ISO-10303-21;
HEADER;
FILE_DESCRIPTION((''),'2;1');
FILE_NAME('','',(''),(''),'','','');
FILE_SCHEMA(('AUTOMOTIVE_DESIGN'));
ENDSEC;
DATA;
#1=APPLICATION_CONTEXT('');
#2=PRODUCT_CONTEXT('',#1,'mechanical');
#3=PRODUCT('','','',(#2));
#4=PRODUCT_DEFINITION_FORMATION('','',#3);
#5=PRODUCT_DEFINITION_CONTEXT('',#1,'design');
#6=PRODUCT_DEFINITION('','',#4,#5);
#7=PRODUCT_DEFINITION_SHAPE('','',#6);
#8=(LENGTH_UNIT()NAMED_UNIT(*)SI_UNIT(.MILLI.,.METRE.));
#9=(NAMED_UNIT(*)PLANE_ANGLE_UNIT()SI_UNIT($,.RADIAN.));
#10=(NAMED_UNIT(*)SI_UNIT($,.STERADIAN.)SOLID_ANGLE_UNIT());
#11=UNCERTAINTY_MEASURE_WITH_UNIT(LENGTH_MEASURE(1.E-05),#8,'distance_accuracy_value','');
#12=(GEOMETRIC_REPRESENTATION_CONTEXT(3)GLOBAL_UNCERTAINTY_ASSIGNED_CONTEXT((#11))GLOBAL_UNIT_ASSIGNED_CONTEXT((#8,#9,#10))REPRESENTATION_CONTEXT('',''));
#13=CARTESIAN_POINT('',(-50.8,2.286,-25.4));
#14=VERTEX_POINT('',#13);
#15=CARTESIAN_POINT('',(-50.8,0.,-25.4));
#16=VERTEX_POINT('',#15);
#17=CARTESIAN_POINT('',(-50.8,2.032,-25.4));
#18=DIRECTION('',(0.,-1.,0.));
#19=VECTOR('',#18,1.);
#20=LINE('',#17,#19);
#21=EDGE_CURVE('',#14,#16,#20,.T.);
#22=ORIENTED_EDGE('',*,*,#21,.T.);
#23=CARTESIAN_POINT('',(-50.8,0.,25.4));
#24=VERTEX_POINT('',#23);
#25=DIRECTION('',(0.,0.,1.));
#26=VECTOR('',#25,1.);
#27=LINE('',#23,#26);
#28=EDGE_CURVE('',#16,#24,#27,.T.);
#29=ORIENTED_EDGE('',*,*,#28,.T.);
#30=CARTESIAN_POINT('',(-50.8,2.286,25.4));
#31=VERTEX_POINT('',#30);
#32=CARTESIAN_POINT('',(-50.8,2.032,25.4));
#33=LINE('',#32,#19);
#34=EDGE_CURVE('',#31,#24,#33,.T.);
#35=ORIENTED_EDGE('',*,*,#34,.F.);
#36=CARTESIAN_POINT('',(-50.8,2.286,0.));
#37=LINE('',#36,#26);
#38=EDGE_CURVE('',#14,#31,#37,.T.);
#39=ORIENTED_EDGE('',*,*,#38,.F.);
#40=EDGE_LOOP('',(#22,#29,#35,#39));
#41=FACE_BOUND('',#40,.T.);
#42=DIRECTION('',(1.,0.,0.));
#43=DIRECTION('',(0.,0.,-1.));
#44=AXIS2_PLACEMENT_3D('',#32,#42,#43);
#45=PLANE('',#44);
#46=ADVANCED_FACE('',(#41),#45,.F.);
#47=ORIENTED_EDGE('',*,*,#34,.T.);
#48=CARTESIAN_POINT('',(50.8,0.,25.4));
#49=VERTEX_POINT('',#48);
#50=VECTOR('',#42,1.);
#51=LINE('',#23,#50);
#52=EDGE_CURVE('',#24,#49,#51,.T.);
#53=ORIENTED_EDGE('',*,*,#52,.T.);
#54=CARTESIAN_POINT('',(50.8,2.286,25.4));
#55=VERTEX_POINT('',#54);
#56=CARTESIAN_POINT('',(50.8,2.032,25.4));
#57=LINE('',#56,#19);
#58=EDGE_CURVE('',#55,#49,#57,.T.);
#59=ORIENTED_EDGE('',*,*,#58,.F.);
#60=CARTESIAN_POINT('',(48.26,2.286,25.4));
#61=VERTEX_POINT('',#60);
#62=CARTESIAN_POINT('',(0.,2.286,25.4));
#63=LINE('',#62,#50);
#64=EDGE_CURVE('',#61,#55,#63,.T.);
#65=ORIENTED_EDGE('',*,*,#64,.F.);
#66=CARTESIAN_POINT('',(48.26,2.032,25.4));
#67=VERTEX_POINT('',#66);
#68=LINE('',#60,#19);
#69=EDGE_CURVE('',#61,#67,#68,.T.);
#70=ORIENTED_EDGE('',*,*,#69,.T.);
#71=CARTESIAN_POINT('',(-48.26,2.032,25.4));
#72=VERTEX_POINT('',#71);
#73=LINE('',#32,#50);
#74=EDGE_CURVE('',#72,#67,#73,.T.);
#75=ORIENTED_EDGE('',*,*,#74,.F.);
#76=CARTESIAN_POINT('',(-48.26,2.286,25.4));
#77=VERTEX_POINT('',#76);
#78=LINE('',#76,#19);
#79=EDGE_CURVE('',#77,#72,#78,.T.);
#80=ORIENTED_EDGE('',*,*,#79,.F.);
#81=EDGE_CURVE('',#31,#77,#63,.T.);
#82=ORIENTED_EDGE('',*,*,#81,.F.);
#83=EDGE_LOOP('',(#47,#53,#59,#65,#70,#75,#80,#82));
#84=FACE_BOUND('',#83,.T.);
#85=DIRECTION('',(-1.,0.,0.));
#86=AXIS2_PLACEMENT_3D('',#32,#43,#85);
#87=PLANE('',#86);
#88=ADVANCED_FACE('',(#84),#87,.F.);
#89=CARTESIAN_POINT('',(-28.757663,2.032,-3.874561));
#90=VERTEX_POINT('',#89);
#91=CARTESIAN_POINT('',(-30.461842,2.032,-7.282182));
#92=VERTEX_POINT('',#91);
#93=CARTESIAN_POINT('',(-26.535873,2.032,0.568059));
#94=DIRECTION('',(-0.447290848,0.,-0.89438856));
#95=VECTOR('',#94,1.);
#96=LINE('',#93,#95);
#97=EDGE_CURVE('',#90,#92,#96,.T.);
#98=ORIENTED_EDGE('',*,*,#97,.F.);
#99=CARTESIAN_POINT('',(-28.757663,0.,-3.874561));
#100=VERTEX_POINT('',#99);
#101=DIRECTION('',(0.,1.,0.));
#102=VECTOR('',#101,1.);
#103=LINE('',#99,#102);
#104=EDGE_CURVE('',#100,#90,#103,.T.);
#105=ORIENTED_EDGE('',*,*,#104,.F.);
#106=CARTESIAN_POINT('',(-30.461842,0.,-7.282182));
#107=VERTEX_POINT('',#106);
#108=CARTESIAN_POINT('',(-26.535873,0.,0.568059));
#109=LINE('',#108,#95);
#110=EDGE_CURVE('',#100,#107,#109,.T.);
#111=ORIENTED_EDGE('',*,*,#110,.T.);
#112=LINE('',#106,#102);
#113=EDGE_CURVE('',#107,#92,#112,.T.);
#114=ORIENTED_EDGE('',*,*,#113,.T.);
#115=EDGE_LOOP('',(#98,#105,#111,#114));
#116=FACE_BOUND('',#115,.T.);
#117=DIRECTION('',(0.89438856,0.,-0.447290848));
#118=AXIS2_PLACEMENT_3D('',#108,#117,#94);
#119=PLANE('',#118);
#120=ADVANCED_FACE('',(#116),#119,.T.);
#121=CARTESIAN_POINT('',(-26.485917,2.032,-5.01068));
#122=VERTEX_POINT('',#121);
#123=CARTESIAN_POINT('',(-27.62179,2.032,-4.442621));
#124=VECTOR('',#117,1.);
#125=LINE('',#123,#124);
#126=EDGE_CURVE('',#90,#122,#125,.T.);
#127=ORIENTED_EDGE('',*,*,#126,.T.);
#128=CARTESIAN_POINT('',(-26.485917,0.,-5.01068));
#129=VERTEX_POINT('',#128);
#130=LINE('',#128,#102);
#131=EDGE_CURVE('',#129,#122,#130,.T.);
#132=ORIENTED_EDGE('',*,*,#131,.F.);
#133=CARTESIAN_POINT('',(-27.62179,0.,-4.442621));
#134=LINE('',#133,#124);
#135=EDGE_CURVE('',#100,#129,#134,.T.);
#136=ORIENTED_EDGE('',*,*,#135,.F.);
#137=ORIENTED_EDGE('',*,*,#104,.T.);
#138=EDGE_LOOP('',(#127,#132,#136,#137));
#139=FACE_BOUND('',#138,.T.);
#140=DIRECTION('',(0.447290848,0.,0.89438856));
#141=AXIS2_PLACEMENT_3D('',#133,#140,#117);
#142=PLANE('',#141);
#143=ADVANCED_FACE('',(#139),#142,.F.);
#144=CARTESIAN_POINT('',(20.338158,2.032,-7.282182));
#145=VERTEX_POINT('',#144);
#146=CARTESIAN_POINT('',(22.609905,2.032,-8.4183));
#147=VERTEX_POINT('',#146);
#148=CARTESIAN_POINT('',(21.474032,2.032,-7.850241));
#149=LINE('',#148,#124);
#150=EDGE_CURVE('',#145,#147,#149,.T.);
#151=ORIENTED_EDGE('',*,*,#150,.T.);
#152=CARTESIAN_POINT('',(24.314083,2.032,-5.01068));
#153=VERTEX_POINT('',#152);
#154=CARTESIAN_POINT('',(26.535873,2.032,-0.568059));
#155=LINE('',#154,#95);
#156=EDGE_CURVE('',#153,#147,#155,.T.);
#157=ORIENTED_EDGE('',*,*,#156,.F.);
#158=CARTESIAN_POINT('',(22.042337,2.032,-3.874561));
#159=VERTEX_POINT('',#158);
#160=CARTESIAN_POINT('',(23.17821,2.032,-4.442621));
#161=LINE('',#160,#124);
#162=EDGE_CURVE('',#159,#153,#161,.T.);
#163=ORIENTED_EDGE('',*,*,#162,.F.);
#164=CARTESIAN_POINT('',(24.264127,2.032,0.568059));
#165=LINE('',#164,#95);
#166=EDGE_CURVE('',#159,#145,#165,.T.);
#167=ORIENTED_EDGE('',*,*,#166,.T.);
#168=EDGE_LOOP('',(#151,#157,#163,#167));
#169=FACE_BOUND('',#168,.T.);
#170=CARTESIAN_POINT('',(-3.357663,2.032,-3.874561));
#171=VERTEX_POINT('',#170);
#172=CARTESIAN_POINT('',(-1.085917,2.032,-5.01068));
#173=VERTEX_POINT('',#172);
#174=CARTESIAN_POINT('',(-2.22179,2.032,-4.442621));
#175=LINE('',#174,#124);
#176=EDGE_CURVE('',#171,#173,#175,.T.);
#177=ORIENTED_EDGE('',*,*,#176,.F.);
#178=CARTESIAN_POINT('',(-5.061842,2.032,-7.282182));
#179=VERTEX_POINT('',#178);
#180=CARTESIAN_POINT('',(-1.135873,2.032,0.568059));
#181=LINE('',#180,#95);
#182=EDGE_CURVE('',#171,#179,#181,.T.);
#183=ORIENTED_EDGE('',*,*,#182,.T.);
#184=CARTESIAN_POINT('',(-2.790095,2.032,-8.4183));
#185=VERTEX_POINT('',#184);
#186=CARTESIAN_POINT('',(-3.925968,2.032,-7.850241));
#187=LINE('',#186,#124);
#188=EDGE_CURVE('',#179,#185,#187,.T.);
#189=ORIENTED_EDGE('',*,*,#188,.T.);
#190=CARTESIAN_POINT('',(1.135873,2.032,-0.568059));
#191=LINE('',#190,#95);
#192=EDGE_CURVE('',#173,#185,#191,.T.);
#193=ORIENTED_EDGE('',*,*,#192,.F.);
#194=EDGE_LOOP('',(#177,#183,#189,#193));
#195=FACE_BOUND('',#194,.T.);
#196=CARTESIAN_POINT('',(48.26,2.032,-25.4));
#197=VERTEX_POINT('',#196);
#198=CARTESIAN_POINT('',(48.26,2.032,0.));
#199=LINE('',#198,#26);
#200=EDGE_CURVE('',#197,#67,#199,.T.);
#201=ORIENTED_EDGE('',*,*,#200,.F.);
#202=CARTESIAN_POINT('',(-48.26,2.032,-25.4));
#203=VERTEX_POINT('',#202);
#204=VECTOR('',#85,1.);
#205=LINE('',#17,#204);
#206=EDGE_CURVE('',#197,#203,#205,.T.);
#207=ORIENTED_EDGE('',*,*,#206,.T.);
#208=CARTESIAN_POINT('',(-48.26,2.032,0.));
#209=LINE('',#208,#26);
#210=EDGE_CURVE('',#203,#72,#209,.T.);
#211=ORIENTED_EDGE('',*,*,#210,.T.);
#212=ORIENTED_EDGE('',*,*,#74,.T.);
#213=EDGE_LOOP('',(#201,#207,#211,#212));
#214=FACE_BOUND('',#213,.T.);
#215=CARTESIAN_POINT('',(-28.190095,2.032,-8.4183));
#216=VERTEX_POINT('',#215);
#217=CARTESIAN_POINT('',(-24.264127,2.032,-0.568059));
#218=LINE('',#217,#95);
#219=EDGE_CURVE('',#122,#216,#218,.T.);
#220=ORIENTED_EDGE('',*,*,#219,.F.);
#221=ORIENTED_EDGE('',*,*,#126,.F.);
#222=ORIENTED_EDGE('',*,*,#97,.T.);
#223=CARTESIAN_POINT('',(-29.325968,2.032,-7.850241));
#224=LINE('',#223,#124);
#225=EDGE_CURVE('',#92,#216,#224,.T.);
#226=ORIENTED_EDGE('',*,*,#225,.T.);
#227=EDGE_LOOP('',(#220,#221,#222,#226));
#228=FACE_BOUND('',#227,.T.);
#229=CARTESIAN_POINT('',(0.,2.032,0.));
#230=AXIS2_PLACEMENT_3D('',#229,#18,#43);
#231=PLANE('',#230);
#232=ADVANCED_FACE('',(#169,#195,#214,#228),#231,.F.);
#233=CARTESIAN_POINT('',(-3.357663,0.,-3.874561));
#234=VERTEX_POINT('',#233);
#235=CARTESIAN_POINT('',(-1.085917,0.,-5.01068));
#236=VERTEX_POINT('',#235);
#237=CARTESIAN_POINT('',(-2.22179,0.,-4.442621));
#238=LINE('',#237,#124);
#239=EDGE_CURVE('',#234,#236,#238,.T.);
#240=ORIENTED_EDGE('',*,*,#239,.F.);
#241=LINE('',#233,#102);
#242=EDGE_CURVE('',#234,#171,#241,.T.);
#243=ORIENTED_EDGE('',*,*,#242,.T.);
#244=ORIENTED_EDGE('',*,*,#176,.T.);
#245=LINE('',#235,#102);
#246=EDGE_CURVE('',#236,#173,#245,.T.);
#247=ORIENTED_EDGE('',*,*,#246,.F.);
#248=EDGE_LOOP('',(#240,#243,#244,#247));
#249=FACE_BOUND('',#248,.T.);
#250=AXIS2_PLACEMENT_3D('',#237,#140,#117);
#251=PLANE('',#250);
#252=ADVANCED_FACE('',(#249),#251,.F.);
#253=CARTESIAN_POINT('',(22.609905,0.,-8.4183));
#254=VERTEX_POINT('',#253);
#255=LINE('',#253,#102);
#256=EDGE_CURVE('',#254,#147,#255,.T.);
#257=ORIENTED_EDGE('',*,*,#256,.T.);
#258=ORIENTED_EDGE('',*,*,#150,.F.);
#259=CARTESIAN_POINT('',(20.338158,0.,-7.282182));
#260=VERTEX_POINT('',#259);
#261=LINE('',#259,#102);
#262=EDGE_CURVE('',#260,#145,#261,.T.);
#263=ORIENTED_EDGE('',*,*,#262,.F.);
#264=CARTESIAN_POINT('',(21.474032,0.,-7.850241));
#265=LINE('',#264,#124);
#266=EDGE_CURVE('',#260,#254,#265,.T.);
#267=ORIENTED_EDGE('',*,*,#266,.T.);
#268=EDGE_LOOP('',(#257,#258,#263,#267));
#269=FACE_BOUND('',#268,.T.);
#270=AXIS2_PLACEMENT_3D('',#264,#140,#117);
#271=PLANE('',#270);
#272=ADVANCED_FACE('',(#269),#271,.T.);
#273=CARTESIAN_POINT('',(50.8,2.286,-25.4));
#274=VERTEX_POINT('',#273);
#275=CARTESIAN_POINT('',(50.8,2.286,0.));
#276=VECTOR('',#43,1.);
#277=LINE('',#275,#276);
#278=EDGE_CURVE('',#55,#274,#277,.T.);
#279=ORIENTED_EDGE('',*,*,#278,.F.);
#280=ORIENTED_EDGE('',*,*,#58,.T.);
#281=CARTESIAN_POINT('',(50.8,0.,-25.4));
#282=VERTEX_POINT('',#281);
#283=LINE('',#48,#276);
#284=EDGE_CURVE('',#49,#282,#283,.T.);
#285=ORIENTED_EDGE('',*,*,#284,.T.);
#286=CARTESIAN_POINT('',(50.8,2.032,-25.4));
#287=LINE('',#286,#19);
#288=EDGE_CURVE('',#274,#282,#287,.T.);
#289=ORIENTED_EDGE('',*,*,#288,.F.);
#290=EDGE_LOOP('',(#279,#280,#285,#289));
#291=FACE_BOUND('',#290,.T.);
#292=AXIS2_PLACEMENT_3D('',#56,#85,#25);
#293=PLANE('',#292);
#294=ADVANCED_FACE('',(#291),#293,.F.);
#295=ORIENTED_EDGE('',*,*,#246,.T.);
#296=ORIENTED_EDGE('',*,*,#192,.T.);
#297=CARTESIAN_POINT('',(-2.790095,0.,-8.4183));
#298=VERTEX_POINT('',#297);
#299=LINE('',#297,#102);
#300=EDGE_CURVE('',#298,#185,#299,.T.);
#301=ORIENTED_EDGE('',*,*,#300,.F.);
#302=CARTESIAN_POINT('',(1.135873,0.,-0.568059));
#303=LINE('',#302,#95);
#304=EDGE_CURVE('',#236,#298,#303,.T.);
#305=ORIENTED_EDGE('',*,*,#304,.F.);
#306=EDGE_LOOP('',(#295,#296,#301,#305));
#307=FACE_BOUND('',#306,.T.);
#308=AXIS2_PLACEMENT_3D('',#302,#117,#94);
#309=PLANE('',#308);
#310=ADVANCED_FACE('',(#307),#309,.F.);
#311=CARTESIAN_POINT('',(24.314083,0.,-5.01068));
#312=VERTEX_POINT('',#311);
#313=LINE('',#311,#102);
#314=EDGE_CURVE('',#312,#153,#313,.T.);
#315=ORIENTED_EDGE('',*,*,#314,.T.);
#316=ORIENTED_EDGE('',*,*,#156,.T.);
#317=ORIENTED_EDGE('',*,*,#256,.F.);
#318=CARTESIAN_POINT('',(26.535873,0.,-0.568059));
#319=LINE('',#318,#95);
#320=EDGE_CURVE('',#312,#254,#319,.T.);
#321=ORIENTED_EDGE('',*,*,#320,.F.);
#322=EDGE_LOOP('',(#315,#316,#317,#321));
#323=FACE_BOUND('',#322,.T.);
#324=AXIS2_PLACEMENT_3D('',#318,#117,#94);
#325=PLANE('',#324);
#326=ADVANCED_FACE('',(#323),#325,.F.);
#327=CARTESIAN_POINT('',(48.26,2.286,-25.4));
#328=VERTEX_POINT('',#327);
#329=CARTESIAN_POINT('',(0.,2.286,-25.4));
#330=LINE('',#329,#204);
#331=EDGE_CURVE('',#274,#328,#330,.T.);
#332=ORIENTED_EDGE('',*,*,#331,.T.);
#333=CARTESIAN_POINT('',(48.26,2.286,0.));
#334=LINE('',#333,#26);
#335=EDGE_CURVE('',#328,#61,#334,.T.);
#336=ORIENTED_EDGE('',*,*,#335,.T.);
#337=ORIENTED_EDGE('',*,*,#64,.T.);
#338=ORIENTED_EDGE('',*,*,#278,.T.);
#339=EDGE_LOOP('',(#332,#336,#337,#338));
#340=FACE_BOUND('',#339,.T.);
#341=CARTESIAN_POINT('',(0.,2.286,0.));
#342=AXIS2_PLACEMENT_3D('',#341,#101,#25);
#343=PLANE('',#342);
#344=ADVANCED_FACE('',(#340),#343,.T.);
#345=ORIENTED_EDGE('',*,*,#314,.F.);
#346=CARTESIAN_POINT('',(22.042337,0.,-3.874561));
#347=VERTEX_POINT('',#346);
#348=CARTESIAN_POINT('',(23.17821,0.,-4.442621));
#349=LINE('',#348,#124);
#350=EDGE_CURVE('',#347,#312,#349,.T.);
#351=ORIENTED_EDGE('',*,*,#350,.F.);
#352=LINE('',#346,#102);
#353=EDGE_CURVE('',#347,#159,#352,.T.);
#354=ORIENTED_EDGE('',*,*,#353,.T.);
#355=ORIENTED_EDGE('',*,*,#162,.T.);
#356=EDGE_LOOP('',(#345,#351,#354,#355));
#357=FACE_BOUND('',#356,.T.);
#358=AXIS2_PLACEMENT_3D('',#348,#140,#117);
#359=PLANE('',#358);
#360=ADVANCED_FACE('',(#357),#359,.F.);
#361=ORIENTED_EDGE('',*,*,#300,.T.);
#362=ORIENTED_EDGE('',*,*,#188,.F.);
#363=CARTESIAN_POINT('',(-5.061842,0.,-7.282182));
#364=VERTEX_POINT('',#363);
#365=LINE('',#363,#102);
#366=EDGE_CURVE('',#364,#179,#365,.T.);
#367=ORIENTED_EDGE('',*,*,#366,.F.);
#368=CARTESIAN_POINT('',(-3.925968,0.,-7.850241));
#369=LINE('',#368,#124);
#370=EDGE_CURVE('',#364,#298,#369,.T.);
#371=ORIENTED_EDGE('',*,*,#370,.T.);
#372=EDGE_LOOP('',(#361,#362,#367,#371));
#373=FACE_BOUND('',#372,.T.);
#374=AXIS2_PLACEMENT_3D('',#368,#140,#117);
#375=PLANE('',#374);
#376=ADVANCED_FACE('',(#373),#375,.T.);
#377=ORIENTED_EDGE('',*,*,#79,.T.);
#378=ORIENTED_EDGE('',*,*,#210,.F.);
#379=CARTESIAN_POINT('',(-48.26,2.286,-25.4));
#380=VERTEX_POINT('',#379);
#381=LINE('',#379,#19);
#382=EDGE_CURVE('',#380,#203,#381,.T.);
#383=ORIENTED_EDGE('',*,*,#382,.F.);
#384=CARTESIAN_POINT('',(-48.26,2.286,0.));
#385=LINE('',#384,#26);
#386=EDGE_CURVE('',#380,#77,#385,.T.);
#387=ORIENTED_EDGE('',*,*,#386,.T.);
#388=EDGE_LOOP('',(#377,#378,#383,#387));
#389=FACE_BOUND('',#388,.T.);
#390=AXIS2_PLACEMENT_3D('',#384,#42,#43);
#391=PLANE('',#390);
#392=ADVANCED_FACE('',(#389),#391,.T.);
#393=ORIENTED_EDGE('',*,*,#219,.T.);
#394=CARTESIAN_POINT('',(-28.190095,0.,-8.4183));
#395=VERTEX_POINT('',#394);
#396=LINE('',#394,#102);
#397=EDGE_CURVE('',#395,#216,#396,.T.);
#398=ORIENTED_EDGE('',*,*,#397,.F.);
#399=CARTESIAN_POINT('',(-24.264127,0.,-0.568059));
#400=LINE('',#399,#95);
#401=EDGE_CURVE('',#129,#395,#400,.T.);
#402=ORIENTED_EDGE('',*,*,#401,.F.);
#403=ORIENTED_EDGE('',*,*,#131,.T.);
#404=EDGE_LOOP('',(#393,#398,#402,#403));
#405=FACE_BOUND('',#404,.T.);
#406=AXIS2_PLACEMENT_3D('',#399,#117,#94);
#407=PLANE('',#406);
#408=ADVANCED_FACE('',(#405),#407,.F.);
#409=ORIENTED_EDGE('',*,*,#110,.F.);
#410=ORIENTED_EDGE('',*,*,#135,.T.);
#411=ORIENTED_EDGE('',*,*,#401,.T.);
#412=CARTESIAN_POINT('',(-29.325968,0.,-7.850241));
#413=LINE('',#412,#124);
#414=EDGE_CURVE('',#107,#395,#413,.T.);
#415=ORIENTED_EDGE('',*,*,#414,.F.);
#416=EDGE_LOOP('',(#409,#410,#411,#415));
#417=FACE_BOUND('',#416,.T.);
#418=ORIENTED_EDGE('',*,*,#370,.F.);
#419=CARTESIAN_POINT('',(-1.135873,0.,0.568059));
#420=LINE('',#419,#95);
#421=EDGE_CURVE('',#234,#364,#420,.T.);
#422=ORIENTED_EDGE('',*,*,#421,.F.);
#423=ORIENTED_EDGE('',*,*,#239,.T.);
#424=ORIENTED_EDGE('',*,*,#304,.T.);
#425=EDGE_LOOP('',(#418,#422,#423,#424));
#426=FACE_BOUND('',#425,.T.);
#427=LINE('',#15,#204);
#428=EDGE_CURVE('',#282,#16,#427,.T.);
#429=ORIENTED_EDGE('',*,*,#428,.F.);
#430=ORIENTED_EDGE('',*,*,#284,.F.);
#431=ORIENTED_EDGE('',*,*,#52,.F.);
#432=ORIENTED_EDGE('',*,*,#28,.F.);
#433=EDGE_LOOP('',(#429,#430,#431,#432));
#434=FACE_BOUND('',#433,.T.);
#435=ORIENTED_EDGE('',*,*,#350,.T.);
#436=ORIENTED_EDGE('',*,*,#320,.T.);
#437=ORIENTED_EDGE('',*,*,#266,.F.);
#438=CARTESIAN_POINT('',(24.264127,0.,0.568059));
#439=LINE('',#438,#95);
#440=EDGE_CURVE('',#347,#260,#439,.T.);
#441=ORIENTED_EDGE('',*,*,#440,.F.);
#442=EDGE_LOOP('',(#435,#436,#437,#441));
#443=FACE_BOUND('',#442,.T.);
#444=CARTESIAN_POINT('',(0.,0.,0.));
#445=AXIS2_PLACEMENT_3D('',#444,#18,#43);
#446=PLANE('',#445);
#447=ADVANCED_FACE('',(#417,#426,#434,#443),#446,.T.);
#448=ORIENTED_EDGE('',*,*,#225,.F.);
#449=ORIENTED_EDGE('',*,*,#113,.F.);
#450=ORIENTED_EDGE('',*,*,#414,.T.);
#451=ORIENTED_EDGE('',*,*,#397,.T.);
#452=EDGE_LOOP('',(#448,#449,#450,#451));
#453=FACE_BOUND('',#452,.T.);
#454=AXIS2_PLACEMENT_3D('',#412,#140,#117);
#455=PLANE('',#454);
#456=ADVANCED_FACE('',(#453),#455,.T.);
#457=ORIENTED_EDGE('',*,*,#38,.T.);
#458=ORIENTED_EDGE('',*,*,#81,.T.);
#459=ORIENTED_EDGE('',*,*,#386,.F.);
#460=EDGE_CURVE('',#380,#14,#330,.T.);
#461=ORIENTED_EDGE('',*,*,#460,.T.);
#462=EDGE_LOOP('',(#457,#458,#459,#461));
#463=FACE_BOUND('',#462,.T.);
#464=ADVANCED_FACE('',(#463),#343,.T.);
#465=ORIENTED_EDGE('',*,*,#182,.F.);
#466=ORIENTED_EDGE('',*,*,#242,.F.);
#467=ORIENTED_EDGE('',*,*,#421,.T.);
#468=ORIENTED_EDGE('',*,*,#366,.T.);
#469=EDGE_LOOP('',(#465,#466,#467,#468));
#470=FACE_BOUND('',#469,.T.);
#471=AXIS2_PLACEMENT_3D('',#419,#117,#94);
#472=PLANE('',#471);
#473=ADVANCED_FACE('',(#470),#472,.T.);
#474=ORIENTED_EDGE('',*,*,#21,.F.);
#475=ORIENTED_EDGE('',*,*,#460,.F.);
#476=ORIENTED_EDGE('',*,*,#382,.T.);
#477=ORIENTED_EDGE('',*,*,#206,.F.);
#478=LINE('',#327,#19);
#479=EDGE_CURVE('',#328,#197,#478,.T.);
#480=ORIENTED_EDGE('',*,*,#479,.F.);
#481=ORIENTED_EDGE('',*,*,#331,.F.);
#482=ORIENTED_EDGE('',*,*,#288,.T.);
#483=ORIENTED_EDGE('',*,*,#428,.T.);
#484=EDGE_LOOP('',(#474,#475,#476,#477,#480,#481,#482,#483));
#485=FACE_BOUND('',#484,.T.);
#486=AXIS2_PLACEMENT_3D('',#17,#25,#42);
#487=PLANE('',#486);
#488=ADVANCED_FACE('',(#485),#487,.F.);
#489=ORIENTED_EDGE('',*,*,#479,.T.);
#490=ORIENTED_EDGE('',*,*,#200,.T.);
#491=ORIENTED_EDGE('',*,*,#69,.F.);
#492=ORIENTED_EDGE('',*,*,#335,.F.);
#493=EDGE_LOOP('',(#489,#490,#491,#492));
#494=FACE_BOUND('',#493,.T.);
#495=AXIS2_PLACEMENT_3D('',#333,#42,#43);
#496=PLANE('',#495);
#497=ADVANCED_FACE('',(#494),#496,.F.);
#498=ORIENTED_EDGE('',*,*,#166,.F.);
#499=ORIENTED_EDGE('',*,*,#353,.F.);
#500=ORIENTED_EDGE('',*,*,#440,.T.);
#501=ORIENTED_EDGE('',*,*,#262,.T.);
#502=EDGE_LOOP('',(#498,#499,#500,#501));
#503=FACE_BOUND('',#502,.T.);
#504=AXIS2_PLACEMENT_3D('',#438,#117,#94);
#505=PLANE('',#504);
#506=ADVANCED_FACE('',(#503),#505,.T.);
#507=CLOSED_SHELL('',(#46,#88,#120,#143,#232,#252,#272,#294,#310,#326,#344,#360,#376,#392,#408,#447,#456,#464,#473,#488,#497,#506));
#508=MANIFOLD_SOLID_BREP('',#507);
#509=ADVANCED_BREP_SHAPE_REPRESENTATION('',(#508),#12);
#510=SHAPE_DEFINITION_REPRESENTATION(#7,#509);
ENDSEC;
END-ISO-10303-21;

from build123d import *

# Parameters (mm, degrees)
SKETCH1_W           = 101.6
SKETCH1_H           = 50.8
BOSS_EXTRUDE1_DEPTH = 2.032
CUT_EXTRUDE1_DEPTH  = 3.032
LPATTERN1_COUNT     = 2
LPATTERN1_PITCH     = 25.4
LPATTERN1_COL_COUNT = 2
LPATTERN1_COL_PITCH = 25.4
SKETCH4_W           = 2.54
SKETCH4_H           = 50.8
BOSS_EXTRUDE2_DEPTH = 0.254


with BuildPart() as part:
    # Sketch1 → Boss-Extrude1 (new body)
    with BuildSketch(Plane(origin=(0, 0, 0), x_dir=(1, 0, 0), z_dir=(0, 1, 0))):
        Rectangle(SKETCH1_W, SKETCH1_H)
    extrude(amount=BOSS_EXTRUDE1_DEPTH)

    # Sketch2 → Cut-Extrude1 (cut, through all)
    with BuildSketch(Plane(origin=(0, 2.032, 0), x_dir=(1, 0, 0), z_dir=(0, 1, 0))):
        Polygon((-5.061841618, 7.282181714), (-2.790094674, 8.418300469), (-1.085916542, 5.010680054), (-3.357663485, 3.874561299), align=None)
    cut_extrude1 = extrude(amount=-CUT_EXTRUDE1_DEPTH, mode=Mode.SUBTRACT)

    # LPattern1: Cut-Extrude1 ×2
    with Locations(*[(-i * LPATTERN1_PITCH, 0, 0) for i in range(1, LPATTERN1_COUNT)]):
        add(cut_extrude1, mode=Mode.SUBTRACT)

    # LPattern1 col: Cut-Extrude1 ×2
    with Locations(*[(i * LPATTERN1_COL_PITCH, 0, 0) for i in range(1, LPATTERN1_COL_COUNT)]):
        add(cut_extrude1, mode=Mode.SUBTRACT)

    # Sketch4 → Boss-Extrude2 (add)
    with BuildSketch(Plane(origin=(0, 2.032, 0), x_dir=(1, 0, 0), z_dir=(0, 1, 0))):
        with Locations((-49.53, 0)):
            Rectangle(SKETCH4_W, SKETCH4_H)
        with Locations((49.53, 0)):
            Rectangle(SKETCH4_W, SKETCH4_H)
    extrude(amount=BOSS_EXTRUDE2_DEPTH)


solid = part.part
